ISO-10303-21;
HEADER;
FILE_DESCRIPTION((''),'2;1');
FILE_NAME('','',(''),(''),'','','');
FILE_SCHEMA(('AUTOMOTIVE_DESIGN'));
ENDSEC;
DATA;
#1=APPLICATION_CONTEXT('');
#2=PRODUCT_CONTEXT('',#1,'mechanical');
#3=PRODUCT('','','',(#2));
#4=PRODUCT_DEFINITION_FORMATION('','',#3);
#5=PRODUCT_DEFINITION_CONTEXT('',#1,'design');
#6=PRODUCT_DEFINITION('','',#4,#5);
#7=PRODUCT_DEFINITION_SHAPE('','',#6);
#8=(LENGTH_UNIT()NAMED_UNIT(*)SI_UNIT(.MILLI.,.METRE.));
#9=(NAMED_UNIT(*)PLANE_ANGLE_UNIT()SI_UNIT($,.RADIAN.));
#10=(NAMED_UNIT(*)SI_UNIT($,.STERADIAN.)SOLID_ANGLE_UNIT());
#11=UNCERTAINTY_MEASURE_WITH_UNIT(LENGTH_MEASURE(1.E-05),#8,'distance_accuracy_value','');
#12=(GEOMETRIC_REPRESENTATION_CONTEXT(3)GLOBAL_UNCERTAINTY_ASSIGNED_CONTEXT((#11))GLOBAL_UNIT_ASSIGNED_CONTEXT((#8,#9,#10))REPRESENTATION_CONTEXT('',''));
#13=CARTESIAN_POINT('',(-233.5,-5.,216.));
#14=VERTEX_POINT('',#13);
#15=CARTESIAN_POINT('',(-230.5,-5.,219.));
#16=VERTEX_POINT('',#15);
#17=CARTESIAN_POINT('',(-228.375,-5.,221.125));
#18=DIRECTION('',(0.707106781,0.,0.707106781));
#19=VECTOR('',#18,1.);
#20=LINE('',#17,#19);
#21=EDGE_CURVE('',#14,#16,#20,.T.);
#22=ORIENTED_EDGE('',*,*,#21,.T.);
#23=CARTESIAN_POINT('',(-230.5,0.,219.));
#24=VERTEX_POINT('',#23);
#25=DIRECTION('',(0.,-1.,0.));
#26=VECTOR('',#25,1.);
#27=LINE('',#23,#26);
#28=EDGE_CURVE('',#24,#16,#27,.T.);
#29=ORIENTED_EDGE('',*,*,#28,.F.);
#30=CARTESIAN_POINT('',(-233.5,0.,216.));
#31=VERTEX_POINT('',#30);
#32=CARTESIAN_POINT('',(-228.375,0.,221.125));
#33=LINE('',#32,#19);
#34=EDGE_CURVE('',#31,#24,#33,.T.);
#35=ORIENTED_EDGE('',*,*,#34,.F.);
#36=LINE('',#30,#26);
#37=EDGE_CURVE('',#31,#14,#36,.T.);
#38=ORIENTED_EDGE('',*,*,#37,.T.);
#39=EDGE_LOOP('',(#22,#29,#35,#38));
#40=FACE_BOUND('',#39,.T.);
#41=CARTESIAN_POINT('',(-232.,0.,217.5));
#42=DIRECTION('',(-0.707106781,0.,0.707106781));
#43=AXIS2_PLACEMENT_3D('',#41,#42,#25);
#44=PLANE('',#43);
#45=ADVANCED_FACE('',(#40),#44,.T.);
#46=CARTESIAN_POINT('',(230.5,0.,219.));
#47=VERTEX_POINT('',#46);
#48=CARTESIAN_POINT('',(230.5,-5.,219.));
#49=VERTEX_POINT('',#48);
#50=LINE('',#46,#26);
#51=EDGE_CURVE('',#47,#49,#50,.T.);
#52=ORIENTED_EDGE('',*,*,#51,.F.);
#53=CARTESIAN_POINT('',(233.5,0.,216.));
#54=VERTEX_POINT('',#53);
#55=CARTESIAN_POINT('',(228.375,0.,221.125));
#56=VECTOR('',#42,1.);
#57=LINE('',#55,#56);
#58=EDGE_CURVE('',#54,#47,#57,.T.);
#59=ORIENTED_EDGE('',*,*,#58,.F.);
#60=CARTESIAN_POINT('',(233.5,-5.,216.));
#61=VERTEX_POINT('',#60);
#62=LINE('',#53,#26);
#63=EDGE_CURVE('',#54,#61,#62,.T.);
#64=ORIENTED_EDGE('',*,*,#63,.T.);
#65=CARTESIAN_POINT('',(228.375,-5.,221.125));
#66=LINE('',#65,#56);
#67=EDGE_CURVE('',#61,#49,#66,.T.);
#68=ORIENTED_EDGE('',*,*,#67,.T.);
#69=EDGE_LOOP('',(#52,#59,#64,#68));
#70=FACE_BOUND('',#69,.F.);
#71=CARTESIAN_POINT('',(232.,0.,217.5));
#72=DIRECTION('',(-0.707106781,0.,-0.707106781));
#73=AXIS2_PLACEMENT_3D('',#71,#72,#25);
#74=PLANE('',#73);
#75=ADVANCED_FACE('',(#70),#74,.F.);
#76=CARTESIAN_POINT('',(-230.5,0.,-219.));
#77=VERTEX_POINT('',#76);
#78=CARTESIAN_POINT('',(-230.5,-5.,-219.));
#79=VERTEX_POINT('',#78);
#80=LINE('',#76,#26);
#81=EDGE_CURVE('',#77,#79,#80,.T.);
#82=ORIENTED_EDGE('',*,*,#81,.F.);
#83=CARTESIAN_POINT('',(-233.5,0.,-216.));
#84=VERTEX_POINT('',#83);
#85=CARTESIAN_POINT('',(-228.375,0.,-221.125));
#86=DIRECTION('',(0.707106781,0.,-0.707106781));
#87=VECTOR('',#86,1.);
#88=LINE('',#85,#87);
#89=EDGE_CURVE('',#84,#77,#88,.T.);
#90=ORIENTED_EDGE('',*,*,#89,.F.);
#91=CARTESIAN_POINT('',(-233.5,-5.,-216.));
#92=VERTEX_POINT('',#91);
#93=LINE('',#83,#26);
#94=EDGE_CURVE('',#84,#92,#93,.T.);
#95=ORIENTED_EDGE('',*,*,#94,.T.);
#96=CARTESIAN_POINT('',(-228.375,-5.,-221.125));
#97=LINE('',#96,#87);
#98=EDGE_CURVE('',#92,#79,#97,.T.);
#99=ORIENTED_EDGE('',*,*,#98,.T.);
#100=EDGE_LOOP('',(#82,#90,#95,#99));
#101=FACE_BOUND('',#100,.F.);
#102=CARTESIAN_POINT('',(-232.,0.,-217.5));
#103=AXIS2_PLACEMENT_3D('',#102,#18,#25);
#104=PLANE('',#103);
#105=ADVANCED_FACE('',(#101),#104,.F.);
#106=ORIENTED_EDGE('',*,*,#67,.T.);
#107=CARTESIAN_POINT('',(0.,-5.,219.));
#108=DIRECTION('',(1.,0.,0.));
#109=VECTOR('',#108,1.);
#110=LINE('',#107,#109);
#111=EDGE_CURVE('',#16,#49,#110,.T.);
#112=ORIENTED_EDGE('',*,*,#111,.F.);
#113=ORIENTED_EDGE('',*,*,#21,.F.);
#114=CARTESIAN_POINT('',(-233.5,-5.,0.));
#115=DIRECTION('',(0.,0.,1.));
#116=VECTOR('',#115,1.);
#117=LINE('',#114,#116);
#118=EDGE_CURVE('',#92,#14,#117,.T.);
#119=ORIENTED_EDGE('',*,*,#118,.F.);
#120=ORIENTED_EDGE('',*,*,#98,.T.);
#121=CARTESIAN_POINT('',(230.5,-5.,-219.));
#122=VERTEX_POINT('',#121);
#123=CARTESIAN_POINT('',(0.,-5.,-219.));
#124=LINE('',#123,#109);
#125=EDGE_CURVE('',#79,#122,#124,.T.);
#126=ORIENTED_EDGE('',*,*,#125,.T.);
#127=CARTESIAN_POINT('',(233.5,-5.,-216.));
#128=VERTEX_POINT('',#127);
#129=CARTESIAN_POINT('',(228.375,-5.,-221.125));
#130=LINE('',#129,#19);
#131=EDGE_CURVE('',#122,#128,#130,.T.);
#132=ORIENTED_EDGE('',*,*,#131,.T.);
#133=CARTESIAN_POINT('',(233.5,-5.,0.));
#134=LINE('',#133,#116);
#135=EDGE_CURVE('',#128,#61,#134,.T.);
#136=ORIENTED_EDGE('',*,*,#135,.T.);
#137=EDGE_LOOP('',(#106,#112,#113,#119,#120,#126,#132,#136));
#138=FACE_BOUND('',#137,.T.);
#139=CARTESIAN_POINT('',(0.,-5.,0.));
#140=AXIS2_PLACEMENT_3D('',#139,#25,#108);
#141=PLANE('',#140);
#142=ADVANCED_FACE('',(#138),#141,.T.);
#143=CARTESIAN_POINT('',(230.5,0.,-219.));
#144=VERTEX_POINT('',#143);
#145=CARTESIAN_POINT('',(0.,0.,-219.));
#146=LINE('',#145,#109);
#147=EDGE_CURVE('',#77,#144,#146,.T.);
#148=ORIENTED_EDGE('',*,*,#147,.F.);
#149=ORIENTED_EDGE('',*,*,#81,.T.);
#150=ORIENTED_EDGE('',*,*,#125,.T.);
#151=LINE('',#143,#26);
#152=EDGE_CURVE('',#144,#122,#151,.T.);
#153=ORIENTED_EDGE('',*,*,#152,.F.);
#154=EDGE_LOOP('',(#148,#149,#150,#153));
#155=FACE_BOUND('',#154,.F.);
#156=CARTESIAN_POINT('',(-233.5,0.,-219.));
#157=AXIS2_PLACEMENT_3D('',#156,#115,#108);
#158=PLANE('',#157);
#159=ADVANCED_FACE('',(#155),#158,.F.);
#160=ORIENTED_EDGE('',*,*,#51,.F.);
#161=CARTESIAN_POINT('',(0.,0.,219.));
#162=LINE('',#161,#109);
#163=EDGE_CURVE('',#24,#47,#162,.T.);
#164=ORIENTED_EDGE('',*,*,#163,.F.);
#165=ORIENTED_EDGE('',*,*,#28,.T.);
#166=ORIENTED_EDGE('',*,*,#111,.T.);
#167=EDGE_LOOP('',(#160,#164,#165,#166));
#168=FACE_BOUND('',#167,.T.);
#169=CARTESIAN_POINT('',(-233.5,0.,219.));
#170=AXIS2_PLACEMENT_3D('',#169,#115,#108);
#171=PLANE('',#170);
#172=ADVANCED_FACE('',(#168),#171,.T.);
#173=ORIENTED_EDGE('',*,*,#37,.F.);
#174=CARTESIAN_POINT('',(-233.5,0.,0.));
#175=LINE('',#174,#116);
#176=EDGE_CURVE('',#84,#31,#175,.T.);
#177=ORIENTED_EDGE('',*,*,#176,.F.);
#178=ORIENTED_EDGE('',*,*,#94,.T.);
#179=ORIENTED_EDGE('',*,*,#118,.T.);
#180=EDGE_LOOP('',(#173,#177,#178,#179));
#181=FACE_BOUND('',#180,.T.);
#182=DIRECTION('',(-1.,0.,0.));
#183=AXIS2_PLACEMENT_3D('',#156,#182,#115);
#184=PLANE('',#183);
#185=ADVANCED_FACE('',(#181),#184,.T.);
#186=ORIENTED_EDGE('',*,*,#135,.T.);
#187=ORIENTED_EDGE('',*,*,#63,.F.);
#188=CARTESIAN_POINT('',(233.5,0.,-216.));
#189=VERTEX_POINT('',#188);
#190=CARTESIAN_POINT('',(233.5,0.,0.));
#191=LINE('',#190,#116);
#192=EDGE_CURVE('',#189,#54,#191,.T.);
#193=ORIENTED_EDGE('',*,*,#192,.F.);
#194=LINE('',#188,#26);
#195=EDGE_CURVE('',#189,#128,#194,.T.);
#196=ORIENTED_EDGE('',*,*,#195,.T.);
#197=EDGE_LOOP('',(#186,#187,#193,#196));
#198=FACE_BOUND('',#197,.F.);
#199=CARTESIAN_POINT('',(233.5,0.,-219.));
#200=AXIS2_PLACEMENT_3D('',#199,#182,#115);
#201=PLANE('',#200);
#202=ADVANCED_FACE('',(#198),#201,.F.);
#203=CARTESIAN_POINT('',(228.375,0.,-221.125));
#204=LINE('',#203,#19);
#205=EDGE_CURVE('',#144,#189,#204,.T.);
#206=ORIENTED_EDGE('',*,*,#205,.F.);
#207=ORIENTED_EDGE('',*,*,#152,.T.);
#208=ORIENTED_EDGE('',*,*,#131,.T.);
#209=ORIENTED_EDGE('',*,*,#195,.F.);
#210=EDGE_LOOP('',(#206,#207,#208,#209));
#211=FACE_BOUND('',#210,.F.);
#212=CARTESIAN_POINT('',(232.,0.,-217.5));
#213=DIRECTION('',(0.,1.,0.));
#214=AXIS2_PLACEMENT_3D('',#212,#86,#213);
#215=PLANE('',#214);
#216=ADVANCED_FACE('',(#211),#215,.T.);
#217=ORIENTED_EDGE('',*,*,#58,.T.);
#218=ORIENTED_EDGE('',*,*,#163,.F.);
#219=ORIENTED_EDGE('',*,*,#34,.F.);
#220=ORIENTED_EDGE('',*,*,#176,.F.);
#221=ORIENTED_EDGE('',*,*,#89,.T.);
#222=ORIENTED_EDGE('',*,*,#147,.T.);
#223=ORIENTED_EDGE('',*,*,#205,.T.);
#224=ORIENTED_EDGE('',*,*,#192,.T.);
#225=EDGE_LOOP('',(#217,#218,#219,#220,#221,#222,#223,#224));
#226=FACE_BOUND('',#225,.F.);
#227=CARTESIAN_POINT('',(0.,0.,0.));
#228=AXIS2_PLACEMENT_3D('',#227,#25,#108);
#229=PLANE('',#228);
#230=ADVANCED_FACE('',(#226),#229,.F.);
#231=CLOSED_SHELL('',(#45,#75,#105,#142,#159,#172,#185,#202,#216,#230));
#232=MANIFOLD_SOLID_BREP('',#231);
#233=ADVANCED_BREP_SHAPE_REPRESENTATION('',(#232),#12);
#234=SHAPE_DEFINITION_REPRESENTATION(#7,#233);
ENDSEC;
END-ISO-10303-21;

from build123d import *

# Parameters (mm, degrees)
F0_W     = 467
F0_H     = 438
F1_DEPTH = 5
F2_SIZE2 = 3
F2_SIZE  = 3


with BuildPart() as f1:
    # F0 (on Front) → F1 (new body)
    with BuildSketch(Plane.XZ):
        Rectangle(F0_W, F0_H)
    extrude(amount=F1_DEPTH)

    # F2
    f2_edges = [f1.edges().sort_by_distance(p)[0] for p in [
        (-233.5, -2.5, 219),
        (-233.5, -2.5, -219),
        (233.5, -2.5, -219),
        (233.5, -2.5, 219),
    ]]
    chamfer(f2_edges, length=F2_SIZE, length2=F2_SIZE2)


solid = f1.part
